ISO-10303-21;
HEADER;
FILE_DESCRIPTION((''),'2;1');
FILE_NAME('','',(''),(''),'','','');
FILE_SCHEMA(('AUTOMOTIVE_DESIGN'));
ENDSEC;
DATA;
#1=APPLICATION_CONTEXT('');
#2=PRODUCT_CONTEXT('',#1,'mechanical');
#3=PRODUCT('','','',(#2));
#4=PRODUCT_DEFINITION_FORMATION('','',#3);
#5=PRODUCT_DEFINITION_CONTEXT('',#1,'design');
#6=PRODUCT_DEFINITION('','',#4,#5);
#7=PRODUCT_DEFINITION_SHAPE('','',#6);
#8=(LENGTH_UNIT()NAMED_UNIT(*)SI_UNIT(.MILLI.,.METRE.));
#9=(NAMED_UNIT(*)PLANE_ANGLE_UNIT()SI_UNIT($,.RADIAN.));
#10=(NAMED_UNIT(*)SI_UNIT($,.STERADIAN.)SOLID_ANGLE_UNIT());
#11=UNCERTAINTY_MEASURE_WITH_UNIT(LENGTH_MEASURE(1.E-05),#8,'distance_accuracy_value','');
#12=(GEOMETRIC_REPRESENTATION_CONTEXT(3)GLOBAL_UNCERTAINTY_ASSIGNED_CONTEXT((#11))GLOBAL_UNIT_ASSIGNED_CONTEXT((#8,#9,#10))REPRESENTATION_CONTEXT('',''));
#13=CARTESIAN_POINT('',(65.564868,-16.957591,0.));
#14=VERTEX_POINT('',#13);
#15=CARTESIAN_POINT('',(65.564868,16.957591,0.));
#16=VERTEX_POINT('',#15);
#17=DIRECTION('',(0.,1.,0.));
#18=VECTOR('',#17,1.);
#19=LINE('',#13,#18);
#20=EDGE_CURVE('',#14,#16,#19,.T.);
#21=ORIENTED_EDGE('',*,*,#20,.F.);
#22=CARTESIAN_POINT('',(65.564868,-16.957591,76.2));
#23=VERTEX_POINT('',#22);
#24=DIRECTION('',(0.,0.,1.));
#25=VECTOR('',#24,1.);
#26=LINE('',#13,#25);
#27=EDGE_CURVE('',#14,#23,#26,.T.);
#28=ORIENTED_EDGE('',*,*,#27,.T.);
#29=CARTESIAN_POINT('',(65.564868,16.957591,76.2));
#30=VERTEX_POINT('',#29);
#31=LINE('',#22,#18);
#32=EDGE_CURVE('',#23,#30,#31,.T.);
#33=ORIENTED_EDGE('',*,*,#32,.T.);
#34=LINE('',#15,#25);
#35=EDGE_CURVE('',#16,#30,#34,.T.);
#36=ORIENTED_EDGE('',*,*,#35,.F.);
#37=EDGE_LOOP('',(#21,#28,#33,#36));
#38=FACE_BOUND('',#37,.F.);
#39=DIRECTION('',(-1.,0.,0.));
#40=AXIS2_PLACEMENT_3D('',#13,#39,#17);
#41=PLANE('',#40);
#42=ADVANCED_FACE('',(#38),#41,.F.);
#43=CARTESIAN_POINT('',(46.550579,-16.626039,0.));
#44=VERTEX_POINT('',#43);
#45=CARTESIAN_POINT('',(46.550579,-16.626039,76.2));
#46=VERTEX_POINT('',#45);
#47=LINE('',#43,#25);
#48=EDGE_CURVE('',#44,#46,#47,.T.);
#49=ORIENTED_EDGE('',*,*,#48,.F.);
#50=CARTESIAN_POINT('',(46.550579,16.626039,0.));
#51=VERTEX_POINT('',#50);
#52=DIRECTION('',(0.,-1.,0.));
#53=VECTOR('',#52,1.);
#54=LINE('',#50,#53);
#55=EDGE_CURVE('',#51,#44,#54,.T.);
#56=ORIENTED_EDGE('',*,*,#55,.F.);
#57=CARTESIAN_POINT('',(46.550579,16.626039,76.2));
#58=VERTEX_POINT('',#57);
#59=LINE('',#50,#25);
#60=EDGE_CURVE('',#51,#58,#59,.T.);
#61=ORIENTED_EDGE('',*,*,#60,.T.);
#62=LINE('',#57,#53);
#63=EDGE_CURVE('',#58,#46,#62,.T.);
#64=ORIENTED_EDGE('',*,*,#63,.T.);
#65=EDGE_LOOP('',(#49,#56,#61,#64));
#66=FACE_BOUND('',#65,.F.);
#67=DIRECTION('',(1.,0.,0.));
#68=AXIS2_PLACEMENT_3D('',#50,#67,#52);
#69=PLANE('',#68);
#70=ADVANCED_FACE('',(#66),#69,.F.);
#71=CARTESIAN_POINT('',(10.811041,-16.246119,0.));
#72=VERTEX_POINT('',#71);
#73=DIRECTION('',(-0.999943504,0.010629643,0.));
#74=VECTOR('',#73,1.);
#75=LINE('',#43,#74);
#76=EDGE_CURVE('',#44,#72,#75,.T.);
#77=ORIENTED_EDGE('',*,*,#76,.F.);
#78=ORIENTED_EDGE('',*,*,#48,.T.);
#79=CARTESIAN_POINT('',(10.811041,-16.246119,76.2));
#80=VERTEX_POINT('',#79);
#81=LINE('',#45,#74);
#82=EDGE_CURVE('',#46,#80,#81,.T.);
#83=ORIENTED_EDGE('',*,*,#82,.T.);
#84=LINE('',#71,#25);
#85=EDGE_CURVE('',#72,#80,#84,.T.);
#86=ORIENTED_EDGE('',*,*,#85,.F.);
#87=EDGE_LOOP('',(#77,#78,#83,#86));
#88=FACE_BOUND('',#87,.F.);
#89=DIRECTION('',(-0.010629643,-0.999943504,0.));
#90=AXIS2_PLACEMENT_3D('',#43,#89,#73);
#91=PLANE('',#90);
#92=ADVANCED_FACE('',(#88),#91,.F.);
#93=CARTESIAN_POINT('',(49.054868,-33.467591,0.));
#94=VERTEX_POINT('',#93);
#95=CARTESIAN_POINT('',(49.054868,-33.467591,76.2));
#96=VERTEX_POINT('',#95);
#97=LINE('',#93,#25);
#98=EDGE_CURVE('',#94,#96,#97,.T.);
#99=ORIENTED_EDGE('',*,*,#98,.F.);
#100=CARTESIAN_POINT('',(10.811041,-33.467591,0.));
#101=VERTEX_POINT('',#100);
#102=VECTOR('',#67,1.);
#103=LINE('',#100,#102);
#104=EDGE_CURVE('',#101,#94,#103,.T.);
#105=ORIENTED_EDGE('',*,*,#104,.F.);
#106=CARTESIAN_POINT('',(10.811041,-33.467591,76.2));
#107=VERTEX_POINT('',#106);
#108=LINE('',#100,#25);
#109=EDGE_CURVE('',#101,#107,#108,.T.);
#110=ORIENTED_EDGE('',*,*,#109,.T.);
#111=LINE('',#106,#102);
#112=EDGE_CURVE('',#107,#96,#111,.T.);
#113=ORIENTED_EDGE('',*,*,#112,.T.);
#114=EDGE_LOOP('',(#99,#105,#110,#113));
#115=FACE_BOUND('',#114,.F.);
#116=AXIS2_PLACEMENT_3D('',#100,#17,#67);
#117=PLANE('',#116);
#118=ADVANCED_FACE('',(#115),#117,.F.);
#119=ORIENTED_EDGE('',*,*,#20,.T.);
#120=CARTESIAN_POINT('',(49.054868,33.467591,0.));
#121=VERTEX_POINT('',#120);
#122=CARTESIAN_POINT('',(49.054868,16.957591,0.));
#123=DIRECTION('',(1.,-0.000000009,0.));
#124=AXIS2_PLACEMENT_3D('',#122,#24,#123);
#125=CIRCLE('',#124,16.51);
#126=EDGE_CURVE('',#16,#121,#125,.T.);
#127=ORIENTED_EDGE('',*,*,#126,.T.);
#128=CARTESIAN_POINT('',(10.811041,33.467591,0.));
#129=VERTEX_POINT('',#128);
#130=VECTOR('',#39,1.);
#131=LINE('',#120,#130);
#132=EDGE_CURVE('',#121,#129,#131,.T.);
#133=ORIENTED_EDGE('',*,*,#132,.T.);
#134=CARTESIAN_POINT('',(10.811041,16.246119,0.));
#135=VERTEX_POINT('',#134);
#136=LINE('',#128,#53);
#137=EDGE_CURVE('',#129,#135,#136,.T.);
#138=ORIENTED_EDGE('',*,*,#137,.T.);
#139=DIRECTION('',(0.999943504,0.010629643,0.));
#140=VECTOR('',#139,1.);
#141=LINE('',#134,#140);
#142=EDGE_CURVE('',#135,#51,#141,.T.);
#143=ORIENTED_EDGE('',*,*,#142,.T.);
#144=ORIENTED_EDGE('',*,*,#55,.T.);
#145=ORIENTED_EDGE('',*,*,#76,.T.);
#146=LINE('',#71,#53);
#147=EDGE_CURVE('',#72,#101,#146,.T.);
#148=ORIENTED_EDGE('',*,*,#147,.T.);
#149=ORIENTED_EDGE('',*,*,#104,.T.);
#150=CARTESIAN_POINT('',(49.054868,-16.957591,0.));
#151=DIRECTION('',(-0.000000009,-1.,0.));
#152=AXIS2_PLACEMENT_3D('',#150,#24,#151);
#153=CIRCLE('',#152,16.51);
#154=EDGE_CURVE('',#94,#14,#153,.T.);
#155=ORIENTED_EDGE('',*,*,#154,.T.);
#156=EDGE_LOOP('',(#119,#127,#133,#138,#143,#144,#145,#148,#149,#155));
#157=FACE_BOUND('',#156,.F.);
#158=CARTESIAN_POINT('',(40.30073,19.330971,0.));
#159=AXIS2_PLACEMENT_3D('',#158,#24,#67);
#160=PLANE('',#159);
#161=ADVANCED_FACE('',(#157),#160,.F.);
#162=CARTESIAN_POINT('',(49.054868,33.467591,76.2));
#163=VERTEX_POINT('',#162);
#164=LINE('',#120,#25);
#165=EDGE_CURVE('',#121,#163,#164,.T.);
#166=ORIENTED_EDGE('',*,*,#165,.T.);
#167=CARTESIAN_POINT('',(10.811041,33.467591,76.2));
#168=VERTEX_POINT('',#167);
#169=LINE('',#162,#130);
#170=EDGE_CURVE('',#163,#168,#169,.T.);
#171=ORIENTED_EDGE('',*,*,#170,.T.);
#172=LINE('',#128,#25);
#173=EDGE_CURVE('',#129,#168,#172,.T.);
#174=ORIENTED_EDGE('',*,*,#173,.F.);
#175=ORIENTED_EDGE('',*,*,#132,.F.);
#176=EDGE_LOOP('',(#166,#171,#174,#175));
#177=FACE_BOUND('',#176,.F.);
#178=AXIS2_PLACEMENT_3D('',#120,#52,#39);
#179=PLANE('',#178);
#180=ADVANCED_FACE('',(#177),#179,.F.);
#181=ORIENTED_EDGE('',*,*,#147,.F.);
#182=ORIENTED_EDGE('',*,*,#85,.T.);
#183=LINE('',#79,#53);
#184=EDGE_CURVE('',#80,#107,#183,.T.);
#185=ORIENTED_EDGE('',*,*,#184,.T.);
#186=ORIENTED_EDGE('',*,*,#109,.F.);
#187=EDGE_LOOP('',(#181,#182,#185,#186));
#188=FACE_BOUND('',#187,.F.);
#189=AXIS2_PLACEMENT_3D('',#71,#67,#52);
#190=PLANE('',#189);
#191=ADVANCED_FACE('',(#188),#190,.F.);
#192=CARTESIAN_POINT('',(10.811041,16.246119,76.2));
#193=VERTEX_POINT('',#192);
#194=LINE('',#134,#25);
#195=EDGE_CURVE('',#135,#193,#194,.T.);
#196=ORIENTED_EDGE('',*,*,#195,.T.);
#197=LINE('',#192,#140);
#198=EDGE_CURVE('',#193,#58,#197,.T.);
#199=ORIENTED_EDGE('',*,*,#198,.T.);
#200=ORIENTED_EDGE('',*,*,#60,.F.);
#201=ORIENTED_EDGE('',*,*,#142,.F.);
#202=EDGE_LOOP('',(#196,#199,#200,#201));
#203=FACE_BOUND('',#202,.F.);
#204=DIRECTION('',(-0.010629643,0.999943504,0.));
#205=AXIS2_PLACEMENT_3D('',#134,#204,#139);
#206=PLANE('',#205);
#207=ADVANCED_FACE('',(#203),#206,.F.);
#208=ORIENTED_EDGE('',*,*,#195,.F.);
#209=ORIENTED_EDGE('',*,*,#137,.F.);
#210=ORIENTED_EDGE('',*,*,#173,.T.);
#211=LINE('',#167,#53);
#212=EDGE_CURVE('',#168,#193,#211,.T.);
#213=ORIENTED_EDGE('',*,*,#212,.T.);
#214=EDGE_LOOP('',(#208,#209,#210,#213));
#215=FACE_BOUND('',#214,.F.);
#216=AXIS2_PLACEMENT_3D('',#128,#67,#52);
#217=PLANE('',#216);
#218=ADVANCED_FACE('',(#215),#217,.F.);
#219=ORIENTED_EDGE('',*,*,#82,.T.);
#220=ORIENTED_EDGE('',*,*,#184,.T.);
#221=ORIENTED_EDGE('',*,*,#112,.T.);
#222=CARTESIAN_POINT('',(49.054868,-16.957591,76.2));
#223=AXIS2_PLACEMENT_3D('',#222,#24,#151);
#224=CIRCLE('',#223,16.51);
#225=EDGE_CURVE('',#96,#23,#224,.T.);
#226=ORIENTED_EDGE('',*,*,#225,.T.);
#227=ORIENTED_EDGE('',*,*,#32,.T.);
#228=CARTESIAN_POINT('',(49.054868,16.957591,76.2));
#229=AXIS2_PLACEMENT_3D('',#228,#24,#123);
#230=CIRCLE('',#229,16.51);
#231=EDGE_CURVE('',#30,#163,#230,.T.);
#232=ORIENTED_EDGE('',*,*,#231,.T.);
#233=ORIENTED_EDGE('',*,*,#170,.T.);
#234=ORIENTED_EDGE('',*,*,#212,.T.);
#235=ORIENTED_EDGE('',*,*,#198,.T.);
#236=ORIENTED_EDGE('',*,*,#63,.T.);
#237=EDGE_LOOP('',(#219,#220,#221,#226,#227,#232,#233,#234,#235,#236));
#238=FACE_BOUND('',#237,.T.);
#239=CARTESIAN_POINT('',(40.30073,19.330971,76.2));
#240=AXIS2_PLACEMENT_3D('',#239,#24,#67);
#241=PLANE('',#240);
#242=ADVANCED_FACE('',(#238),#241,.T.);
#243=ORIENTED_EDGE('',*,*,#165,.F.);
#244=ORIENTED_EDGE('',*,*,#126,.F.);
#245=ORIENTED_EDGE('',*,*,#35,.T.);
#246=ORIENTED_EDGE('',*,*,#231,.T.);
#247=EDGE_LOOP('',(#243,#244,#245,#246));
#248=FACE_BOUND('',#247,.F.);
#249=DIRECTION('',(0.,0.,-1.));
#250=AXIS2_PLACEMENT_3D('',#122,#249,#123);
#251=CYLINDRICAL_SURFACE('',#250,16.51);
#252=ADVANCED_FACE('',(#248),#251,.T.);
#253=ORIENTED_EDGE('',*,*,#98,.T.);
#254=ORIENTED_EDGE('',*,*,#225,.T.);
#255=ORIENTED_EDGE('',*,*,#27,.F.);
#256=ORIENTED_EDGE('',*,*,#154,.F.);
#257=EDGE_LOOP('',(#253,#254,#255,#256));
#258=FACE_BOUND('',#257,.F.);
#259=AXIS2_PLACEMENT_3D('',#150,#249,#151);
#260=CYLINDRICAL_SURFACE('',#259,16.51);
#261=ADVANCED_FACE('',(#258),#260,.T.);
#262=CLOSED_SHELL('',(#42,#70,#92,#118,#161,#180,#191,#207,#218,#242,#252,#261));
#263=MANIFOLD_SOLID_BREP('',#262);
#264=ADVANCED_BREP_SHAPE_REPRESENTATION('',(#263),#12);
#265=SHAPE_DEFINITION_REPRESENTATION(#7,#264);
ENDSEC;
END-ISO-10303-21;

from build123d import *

# Parameters (mm, degrees)
F1_DEPTH = 76.2


with BuildPart() as f1:
    # F0 (on Top) → F1 (new body)
    with BuildSketch(Plane.XY):
        with BuildLine():
            Line((46.550579, 16.626039), (46.550579, 0))
            Line((46.550579, 0), (65.564868, 0))
            Line((65.564868, 0), (65.564868, 16.957591))
            ThreePointArc((65.564868, 16.957591), (60.729201, 28.631924), (49.054868, 33.467591))
            Line((49.054868, 33.467591), (10.811041, 33.467591))
            Line((10.811041, 33.467591), (10.811041, 16.246119))
            Line((10.811041, 16.246119), (46.550579, 16.626039))
        make_face()
        with BuildLine():
            Line((46.550579, -16.626039), (10.811041, -16.246119))
            Line((10.811041, -16.246119), (10.811041, -33.467591))
            Line((10.811041, -33.467591), (49.054868, -33.467591))
            ThreePointArc((49.054868, -33.467591), (60.729201, -28.631924), (65.564868, -16.957591))
            Line((65.564868, -16.957591), (65.564868, 0))
            Line((65.564868, 0), (46.550579, 0))
            Line((46.550579, 0), (46.550579, -16.626039))
        make_face()
    extrude(amount=F1_DEPTH)


solid = f1.part
